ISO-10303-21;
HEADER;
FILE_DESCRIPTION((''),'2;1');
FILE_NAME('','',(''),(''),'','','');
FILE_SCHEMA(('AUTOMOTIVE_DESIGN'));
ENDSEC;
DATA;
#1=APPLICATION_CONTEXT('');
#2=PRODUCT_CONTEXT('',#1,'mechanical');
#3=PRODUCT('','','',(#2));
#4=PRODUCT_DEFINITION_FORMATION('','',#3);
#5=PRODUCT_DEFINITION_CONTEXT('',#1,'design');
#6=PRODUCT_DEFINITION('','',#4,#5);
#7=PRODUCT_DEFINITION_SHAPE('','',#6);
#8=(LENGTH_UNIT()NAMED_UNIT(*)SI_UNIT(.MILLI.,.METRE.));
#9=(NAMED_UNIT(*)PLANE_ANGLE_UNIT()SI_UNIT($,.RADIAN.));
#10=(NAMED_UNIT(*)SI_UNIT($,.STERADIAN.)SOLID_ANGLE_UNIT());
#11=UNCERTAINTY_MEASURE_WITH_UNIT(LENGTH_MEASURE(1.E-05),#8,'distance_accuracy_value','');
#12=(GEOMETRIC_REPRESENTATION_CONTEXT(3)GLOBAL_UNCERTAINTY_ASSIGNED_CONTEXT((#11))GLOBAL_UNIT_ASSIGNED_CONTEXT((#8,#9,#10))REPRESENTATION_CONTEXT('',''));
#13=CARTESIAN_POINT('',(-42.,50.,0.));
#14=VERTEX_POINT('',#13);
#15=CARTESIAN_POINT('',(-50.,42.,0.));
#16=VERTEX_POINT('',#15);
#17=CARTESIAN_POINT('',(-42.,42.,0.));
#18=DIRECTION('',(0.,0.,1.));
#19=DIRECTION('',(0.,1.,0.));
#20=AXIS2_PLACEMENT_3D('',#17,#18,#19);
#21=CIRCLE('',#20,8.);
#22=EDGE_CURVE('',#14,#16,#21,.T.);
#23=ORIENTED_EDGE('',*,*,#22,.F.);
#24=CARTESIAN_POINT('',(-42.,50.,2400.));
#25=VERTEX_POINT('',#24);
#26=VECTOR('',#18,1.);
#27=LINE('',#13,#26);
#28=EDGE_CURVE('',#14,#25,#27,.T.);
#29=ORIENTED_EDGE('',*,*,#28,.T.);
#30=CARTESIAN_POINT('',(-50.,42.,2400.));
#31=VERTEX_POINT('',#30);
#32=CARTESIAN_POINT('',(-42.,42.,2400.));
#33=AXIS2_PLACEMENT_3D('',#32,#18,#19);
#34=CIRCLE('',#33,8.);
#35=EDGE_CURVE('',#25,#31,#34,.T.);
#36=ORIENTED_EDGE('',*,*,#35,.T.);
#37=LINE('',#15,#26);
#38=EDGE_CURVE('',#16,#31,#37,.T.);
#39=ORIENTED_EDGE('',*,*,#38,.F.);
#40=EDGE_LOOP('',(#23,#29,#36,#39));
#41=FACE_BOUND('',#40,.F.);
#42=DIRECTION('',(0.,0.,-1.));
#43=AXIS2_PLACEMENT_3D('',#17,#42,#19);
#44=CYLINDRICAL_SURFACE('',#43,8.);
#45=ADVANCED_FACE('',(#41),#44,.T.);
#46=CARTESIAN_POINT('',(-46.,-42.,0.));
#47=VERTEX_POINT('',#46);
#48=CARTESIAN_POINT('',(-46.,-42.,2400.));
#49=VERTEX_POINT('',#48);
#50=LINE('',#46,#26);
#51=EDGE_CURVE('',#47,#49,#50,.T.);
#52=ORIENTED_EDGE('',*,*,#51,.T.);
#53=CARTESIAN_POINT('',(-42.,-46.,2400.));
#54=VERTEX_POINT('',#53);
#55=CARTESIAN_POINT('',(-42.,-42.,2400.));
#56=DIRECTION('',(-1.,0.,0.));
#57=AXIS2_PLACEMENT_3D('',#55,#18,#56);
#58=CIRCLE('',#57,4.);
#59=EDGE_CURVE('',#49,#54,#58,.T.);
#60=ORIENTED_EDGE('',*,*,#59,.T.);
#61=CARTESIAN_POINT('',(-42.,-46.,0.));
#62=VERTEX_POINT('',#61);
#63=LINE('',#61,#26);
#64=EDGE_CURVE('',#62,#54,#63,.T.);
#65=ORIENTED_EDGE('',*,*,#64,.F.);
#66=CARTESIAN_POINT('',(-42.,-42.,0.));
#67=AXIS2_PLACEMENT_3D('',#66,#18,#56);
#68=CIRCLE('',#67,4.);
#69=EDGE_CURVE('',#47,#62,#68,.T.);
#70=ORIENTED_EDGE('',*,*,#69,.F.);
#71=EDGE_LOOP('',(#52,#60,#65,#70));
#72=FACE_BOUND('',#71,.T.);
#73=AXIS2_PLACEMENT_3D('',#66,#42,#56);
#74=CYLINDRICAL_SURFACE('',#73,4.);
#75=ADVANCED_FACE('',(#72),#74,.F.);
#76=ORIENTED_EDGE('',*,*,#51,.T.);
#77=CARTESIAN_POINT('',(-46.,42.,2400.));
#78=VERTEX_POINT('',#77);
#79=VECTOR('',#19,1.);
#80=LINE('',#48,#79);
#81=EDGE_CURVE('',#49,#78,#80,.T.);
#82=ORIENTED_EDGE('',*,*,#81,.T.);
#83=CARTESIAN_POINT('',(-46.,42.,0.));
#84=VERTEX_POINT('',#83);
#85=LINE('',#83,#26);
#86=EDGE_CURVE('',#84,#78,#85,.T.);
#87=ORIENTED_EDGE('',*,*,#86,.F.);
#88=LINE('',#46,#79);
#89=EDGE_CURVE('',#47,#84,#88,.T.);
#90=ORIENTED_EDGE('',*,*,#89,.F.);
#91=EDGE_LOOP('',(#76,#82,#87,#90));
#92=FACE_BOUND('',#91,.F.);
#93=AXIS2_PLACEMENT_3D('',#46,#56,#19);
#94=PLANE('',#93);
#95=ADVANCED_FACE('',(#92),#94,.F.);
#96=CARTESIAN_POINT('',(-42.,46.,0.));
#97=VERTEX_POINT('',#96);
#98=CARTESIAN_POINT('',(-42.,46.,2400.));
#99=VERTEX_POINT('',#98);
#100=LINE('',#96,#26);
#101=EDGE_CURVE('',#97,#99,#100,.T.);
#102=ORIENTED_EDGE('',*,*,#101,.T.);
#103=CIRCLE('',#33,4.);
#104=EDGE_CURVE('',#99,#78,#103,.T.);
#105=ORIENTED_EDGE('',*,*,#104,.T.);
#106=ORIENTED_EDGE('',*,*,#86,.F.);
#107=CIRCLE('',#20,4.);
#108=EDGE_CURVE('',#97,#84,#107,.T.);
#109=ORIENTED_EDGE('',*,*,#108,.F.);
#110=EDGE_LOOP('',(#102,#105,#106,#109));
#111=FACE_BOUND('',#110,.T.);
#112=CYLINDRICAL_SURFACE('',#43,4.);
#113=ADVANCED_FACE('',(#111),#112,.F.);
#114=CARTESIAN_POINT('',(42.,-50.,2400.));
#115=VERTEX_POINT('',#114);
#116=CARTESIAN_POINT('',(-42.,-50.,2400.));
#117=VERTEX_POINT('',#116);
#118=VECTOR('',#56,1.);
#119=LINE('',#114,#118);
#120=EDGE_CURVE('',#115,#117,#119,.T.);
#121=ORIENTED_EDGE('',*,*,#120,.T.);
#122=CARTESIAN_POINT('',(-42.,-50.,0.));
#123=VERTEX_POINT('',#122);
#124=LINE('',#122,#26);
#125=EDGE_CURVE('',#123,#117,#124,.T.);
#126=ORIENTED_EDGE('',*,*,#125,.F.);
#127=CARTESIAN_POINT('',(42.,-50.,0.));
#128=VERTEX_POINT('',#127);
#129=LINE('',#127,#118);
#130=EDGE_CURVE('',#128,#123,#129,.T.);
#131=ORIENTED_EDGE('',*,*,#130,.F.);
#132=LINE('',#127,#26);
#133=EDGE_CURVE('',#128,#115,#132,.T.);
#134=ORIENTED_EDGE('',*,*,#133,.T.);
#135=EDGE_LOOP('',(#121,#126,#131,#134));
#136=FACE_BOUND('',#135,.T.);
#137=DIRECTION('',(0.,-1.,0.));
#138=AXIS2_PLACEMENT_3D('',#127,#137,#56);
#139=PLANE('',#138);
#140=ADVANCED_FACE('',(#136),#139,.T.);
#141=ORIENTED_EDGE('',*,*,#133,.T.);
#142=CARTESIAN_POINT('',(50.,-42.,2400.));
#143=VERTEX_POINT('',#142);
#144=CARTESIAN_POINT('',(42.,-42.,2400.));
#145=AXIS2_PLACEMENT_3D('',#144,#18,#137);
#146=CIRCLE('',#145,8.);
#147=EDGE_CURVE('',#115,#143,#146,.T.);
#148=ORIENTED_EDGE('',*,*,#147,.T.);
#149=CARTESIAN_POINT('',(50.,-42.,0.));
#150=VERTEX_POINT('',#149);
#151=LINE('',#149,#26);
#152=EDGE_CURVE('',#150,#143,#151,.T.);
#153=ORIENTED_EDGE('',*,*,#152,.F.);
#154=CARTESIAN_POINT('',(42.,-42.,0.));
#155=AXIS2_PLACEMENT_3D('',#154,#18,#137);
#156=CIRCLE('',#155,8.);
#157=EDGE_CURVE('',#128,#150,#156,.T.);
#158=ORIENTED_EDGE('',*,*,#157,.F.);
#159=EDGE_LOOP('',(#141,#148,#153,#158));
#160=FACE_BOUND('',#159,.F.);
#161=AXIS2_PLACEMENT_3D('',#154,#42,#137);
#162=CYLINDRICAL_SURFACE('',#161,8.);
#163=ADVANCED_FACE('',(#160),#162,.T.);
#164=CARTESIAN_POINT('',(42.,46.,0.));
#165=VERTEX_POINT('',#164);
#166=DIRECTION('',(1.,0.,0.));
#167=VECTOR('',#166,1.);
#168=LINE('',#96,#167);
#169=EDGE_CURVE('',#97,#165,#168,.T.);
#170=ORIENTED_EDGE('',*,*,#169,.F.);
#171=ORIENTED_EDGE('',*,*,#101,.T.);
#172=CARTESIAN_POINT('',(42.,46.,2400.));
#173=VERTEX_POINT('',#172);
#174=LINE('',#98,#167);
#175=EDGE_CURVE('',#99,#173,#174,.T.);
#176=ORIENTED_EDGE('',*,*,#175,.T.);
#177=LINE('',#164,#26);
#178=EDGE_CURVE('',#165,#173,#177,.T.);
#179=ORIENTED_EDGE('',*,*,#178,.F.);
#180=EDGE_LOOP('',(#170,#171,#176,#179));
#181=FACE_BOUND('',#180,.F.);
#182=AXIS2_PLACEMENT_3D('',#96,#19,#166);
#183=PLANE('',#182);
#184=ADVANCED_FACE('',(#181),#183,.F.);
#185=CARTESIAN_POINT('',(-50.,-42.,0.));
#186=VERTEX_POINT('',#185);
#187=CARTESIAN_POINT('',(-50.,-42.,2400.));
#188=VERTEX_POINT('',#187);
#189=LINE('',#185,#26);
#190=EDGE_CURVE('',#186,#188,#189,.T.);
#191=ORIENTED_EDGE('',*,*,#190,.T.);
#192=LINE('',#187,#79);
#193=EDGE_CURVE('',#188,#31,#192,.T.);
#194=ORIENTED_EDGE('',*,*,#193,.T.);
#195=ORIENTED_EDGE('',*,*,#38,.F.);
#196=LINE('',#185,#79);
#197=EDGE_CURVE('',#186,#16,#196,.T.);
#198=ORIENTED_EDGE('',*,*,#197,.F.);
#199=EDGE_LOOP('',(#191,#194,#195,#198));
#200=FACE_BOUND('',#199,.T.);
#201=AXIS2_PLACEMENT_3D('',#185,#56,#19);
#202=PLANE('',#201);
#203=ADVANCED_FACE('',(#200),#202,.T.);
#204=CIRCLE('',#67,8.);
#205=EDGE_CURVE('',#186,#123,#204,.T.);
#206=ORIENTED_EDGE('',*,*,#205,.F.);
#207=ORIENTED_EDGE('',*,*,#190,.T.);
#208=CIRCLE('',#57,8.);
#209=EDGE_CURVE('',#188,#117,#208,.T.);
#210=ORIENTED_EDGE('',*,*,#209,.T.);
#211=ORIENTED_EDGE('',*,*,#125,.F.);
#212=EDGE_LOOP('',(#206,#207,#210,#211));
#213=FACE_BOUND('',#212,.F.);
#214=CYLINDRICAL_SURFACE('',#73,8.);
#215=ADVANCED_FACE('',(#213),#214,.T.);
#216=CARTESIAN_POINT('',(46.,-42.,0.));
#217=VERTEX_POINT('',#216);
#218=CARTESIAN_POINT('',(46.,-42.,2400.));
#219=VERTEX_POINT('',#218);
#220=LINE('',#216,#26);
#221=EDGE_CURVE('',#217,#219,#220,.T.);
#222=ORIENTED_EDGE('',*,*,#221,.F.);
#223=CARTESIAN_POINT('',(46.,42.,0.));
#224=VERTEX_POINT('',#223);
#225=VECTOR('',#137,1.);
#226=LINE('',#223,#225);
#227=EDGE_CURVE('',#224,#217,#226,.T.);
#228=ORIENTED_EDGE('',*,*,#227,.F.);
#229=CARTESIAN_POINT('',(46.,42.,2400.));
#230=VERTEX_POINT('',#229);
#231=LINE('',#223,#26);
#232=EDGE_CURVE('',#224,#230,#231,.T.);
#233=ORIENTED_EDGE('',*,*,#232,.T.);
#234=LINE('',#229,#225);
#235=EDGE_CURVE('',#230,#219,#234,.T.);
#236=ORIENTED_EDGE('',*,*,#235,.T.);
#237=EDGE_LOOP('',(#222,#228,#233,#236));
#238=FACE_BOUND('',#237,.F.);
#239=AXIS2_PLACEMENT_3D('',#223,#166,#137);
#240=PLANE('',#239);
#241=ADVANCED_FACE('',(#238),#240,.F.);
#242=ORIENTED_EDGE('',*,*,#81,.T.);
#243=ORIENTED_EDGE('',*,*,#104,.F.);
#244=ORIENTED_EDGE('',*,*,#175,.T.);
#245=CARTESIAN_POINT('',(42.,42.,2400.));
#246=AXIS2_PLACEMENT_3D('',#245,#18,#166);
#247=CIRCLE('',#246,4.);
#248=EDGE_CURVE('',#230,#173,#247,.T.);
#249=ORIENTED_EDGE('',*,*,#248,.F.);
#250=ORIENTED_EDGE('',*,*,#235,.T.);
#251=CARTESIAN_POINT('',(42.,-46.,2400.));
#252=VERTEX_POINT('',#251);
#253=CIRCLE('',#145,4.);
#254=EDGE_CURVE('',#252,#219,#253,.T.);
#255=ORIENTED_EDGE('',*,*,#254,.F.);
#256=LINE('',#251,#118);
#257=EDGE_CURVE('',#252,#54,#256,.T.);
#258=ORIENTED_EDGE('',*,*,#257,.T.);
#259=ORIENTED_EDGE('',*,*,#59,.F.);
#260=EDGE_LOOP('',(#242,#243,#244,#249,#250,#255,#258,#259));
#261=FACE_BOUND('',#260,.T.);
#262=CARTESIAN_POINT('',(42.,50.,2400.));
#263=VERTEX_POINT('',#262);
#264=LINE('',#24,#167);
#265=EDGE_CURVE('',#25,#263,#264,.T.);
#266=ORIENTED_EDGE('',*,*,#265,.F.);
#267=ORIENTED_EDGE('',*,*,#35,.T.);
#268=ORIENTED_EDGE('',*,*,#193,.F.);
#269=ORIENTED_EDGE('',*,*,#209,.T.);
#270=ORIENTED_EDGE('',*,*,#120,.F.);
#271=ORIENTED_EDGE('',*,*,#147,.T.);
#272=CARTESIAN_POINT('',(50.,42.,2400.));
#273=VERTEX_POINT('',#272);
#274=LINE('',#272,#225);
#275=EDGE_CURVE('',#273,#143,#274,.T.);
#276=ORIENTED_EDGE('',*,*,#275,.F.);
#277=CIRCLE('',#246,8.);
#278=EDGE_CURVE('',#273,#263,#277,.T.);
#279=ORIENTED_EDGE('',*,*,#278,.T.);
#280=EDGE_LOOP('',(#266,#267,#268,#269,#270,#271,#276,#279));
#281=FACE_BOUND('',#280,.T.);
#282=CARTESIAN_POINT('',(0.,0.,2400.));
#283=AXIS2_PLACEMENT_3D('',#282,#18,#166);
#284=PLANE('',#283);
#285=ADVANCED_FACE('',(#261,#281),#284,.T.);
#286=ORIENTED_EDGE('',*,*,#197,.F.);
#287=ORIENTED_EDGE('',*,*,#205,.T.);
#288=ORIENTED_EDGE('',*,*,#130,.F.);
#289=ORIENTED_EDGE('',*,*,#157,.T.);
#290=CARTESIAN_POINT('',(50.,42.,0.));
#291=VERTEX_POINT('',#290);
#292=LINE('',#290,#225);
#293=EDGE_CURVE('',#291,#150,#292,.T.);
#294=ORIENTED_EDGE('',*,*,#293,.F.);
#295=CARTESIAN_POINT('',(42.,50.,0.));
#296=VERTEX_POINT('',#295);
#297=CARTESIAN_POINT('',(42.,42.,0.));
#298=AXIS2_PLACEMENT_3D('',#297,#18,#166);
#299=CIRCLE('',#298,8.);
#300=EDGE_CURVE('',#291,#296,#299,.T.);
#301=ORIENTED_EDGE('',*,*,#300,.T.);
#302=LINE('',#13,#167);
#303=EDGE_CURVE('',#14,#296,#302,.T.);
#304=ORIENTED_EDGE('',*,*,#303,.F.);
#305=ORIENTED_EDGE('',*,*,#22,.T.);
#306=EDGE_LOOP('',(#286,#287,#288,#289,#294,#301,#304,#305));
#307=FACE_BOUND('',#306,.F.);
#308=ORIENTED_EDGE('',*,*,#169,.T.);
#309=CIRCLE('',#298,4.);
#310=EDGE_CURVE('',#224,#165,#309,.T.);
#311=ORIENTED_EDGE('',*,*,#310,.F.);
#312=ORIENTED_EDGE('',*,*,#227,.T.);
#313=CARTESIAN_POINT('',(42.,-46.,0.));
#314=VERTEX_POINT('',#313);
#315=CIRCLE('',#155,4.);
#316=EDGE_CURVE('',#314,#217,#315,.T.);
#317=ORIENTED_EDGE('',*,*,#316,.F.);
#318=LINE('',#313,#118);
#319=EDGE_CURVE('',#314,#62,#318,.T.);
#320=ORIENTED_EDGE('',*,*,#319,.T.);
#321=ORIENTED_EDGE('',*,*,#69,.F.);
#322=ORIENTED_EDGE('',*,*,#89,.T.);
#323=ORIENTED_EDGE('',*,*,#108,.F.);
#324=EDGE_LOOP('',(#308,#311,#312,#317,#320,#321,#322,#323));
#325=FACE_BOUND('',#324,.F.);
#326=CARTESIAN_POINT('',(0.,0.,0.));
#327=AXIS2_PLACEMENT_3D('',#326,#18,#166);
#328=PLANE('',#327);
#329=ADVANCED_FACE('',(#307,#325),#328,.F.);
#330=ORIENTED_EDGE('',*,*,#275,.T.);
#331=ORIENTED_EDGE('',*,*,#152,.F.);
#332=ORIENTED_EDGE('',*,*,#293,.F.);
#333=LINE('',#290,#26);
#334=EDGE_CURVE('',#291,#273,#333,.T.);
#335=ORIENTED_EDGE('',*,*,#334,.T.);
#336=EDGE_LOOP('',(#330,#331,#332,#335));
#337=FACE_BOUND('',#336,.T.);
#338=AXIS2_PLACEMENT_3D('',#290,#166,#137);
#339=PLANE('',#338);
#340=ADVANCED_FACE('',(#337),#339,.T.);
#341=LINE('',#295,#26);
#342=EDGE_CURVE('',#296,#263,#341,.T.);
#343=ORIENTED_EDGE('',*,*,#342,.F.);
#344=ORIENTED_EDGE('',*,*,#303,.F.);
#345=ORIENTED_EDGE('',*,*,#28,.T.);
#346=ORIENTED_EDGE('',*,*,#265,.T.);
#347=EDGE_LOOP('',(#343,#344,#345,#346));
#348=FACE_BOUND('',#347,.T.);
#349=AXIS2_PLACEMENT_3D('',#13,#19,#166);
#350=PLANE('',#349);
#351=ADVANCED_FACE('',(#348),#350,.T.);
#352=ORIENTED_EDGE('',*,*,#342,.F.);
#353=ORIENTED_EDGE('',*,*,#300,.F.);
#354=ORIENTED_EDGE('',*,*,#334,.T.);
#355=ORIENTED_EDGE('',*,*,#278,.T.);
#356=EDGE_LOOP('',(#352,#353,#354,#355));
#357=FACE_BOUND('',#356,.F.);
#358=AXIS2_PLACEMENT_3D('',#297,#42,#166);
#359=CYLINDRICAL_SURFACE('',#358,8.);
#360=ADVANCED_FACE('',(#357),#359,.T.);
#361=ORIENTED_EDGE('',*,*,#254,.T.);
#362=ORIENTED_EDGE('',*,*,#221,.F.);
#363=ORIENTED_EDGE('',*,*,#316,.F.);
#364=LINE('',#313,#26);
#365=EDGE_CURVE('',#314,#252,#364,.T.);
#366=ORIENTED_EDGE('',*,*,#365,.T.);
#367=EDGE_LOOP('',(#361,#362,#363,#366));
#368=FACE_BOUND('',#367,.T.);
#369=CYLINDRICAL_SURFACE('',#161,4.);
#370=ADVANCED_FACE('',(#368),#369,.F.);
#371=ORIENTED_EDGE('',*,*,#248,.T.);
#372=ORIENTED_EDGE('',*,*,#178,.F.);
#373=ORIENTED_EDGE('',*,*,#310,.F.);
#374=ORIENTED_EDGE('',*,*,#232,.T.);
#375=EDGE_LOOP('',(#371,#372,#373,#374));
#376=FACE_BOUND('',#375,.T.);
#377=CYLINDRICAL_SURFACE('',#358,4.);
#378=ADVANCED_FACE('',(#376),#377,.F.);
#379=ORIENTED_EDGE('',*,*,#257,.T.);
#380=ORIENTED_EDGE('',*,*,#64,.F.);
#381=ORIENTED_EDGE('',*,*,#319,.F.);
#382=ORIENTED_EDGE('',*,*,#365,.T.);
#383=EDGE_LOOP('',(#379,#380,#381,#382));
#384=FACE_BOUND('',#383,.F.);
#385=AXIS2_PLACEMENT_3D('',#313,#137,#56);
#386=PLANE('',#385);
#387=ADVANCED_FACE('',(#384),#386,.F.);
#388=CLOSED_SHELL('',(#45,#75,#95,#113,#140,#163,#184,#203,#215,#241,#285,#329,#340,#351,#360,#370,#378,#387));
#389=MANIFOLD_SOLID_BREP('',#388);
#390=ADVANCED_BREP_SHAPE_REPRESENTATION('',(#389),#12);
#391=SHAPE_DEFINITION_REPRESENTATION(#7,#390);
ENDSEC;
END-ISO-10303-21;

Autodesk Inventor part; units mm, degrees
ref_plane "YZ Plane" through (0, 0, 0) normal (1, 0, 0) x (0, 1, 0)
ref_plane "Start plane" through (0, 0, 0) normal (0, 0, 1) x (1, 0, 0)
ref_plane "End plane" through (0, 0, 2400) normal (0, 0, 1) x (1, 0, 0)
sketch "Sketch" plane through (0, 0, 0) normal (0, 0, 1) x (1, 0, 0)
  line L0 (-50, -42) -> (-50, 42)
  line L1 (-42, 50) -> (42, 50)
  line L2 (50, 42) -> (50, -42)
  line L3 (42, -50) -> (-42, -50)
  arc A0 (-50, -42) -> (-42, -50) centre (-42, -42) ccw
  arc A1 (50, 42) -> (42, 50) centre (42, 42) ccw
  arc A2 (-42, 50) -> (-50, 42) centre (-42, 42) ccw
  arc A3 (42, -50) -> (50, -42) centre (42, -42) ccw
  arc A4 (-42, 46) -> (-46, 42) centre (-42, 42) ccw
  line L4 (-42, 46) -> (42, 46)
  arc A5 (46, 42) -> (42, 46) centre (42, 42) ccw
  line L5 (46, 42) -> (46, -42)
  arc A6 (42, -46) -> (46, -42) centre (42, -42) ccw
  line L6 (42, -46) -> (-42, -46)
  arc A7 (-46, -42) -> (-42, -46) centre (-42, -42) ccw
  line L7 (-46, -42) -> (-46, 42)
  line L8 (0, 72.3196) -> (0, -72.3196) construction
  line L9 (-72.3196, 0) -> (72.3196, 0) construction
  dimension "d7" = 8
  dimension "d9" = 100
  dimension "d11" = 100
  dimension "d12" = 4
  dimension "d15" = 50
  dimension "d16" = 50
extrude "Body" add sketch "Sketch" along normal up to surface (2400 mm away) from surface at 0
sketch "Sketch3" plane through (0, 0, 0) normal (0, 0, 1) x (1, 0, 0)
  line L0 (0, 0) -> (10, 0)
ref_plane "Work Plane3" through (0, 0, 0) normal (0, -1, 0) x (1, 0, 0)
sketch "Sketch4" plane through (0, 0, 0) normal (0, -1, 0) x (1, 0, 0)
  line L0 (-2, 0) -> (12, 0) projected
  line L1 (-2, 2400) -> (12, 2400) projected
  dimension "d18" = 2400
equation "\"d7\" = G_IR"
equation "\"d9\" = G_W"
equation "\"d11\" = G_H"
equation "\"d12\" = G_T"
equation "\"d15\" = 0.5 * d9"
equation "\"d16\" = 0.5 * d11"
equation "\"d3\" = G_L"
equation "\"G_W\" = 100"
equation "\"G_H\" = 100"
equation "\"G_T\" = 4"
equation "\"G_IR\" = 8"
equation "\"G_L\" = d18"
equation "\"G_OFFSET_START\" = 0"
equation "\"G_OFFSET_END\" = 0"
properties part number "ISO 10799-2 - 100x100x4 - 2400" material "Steel, Mild"
